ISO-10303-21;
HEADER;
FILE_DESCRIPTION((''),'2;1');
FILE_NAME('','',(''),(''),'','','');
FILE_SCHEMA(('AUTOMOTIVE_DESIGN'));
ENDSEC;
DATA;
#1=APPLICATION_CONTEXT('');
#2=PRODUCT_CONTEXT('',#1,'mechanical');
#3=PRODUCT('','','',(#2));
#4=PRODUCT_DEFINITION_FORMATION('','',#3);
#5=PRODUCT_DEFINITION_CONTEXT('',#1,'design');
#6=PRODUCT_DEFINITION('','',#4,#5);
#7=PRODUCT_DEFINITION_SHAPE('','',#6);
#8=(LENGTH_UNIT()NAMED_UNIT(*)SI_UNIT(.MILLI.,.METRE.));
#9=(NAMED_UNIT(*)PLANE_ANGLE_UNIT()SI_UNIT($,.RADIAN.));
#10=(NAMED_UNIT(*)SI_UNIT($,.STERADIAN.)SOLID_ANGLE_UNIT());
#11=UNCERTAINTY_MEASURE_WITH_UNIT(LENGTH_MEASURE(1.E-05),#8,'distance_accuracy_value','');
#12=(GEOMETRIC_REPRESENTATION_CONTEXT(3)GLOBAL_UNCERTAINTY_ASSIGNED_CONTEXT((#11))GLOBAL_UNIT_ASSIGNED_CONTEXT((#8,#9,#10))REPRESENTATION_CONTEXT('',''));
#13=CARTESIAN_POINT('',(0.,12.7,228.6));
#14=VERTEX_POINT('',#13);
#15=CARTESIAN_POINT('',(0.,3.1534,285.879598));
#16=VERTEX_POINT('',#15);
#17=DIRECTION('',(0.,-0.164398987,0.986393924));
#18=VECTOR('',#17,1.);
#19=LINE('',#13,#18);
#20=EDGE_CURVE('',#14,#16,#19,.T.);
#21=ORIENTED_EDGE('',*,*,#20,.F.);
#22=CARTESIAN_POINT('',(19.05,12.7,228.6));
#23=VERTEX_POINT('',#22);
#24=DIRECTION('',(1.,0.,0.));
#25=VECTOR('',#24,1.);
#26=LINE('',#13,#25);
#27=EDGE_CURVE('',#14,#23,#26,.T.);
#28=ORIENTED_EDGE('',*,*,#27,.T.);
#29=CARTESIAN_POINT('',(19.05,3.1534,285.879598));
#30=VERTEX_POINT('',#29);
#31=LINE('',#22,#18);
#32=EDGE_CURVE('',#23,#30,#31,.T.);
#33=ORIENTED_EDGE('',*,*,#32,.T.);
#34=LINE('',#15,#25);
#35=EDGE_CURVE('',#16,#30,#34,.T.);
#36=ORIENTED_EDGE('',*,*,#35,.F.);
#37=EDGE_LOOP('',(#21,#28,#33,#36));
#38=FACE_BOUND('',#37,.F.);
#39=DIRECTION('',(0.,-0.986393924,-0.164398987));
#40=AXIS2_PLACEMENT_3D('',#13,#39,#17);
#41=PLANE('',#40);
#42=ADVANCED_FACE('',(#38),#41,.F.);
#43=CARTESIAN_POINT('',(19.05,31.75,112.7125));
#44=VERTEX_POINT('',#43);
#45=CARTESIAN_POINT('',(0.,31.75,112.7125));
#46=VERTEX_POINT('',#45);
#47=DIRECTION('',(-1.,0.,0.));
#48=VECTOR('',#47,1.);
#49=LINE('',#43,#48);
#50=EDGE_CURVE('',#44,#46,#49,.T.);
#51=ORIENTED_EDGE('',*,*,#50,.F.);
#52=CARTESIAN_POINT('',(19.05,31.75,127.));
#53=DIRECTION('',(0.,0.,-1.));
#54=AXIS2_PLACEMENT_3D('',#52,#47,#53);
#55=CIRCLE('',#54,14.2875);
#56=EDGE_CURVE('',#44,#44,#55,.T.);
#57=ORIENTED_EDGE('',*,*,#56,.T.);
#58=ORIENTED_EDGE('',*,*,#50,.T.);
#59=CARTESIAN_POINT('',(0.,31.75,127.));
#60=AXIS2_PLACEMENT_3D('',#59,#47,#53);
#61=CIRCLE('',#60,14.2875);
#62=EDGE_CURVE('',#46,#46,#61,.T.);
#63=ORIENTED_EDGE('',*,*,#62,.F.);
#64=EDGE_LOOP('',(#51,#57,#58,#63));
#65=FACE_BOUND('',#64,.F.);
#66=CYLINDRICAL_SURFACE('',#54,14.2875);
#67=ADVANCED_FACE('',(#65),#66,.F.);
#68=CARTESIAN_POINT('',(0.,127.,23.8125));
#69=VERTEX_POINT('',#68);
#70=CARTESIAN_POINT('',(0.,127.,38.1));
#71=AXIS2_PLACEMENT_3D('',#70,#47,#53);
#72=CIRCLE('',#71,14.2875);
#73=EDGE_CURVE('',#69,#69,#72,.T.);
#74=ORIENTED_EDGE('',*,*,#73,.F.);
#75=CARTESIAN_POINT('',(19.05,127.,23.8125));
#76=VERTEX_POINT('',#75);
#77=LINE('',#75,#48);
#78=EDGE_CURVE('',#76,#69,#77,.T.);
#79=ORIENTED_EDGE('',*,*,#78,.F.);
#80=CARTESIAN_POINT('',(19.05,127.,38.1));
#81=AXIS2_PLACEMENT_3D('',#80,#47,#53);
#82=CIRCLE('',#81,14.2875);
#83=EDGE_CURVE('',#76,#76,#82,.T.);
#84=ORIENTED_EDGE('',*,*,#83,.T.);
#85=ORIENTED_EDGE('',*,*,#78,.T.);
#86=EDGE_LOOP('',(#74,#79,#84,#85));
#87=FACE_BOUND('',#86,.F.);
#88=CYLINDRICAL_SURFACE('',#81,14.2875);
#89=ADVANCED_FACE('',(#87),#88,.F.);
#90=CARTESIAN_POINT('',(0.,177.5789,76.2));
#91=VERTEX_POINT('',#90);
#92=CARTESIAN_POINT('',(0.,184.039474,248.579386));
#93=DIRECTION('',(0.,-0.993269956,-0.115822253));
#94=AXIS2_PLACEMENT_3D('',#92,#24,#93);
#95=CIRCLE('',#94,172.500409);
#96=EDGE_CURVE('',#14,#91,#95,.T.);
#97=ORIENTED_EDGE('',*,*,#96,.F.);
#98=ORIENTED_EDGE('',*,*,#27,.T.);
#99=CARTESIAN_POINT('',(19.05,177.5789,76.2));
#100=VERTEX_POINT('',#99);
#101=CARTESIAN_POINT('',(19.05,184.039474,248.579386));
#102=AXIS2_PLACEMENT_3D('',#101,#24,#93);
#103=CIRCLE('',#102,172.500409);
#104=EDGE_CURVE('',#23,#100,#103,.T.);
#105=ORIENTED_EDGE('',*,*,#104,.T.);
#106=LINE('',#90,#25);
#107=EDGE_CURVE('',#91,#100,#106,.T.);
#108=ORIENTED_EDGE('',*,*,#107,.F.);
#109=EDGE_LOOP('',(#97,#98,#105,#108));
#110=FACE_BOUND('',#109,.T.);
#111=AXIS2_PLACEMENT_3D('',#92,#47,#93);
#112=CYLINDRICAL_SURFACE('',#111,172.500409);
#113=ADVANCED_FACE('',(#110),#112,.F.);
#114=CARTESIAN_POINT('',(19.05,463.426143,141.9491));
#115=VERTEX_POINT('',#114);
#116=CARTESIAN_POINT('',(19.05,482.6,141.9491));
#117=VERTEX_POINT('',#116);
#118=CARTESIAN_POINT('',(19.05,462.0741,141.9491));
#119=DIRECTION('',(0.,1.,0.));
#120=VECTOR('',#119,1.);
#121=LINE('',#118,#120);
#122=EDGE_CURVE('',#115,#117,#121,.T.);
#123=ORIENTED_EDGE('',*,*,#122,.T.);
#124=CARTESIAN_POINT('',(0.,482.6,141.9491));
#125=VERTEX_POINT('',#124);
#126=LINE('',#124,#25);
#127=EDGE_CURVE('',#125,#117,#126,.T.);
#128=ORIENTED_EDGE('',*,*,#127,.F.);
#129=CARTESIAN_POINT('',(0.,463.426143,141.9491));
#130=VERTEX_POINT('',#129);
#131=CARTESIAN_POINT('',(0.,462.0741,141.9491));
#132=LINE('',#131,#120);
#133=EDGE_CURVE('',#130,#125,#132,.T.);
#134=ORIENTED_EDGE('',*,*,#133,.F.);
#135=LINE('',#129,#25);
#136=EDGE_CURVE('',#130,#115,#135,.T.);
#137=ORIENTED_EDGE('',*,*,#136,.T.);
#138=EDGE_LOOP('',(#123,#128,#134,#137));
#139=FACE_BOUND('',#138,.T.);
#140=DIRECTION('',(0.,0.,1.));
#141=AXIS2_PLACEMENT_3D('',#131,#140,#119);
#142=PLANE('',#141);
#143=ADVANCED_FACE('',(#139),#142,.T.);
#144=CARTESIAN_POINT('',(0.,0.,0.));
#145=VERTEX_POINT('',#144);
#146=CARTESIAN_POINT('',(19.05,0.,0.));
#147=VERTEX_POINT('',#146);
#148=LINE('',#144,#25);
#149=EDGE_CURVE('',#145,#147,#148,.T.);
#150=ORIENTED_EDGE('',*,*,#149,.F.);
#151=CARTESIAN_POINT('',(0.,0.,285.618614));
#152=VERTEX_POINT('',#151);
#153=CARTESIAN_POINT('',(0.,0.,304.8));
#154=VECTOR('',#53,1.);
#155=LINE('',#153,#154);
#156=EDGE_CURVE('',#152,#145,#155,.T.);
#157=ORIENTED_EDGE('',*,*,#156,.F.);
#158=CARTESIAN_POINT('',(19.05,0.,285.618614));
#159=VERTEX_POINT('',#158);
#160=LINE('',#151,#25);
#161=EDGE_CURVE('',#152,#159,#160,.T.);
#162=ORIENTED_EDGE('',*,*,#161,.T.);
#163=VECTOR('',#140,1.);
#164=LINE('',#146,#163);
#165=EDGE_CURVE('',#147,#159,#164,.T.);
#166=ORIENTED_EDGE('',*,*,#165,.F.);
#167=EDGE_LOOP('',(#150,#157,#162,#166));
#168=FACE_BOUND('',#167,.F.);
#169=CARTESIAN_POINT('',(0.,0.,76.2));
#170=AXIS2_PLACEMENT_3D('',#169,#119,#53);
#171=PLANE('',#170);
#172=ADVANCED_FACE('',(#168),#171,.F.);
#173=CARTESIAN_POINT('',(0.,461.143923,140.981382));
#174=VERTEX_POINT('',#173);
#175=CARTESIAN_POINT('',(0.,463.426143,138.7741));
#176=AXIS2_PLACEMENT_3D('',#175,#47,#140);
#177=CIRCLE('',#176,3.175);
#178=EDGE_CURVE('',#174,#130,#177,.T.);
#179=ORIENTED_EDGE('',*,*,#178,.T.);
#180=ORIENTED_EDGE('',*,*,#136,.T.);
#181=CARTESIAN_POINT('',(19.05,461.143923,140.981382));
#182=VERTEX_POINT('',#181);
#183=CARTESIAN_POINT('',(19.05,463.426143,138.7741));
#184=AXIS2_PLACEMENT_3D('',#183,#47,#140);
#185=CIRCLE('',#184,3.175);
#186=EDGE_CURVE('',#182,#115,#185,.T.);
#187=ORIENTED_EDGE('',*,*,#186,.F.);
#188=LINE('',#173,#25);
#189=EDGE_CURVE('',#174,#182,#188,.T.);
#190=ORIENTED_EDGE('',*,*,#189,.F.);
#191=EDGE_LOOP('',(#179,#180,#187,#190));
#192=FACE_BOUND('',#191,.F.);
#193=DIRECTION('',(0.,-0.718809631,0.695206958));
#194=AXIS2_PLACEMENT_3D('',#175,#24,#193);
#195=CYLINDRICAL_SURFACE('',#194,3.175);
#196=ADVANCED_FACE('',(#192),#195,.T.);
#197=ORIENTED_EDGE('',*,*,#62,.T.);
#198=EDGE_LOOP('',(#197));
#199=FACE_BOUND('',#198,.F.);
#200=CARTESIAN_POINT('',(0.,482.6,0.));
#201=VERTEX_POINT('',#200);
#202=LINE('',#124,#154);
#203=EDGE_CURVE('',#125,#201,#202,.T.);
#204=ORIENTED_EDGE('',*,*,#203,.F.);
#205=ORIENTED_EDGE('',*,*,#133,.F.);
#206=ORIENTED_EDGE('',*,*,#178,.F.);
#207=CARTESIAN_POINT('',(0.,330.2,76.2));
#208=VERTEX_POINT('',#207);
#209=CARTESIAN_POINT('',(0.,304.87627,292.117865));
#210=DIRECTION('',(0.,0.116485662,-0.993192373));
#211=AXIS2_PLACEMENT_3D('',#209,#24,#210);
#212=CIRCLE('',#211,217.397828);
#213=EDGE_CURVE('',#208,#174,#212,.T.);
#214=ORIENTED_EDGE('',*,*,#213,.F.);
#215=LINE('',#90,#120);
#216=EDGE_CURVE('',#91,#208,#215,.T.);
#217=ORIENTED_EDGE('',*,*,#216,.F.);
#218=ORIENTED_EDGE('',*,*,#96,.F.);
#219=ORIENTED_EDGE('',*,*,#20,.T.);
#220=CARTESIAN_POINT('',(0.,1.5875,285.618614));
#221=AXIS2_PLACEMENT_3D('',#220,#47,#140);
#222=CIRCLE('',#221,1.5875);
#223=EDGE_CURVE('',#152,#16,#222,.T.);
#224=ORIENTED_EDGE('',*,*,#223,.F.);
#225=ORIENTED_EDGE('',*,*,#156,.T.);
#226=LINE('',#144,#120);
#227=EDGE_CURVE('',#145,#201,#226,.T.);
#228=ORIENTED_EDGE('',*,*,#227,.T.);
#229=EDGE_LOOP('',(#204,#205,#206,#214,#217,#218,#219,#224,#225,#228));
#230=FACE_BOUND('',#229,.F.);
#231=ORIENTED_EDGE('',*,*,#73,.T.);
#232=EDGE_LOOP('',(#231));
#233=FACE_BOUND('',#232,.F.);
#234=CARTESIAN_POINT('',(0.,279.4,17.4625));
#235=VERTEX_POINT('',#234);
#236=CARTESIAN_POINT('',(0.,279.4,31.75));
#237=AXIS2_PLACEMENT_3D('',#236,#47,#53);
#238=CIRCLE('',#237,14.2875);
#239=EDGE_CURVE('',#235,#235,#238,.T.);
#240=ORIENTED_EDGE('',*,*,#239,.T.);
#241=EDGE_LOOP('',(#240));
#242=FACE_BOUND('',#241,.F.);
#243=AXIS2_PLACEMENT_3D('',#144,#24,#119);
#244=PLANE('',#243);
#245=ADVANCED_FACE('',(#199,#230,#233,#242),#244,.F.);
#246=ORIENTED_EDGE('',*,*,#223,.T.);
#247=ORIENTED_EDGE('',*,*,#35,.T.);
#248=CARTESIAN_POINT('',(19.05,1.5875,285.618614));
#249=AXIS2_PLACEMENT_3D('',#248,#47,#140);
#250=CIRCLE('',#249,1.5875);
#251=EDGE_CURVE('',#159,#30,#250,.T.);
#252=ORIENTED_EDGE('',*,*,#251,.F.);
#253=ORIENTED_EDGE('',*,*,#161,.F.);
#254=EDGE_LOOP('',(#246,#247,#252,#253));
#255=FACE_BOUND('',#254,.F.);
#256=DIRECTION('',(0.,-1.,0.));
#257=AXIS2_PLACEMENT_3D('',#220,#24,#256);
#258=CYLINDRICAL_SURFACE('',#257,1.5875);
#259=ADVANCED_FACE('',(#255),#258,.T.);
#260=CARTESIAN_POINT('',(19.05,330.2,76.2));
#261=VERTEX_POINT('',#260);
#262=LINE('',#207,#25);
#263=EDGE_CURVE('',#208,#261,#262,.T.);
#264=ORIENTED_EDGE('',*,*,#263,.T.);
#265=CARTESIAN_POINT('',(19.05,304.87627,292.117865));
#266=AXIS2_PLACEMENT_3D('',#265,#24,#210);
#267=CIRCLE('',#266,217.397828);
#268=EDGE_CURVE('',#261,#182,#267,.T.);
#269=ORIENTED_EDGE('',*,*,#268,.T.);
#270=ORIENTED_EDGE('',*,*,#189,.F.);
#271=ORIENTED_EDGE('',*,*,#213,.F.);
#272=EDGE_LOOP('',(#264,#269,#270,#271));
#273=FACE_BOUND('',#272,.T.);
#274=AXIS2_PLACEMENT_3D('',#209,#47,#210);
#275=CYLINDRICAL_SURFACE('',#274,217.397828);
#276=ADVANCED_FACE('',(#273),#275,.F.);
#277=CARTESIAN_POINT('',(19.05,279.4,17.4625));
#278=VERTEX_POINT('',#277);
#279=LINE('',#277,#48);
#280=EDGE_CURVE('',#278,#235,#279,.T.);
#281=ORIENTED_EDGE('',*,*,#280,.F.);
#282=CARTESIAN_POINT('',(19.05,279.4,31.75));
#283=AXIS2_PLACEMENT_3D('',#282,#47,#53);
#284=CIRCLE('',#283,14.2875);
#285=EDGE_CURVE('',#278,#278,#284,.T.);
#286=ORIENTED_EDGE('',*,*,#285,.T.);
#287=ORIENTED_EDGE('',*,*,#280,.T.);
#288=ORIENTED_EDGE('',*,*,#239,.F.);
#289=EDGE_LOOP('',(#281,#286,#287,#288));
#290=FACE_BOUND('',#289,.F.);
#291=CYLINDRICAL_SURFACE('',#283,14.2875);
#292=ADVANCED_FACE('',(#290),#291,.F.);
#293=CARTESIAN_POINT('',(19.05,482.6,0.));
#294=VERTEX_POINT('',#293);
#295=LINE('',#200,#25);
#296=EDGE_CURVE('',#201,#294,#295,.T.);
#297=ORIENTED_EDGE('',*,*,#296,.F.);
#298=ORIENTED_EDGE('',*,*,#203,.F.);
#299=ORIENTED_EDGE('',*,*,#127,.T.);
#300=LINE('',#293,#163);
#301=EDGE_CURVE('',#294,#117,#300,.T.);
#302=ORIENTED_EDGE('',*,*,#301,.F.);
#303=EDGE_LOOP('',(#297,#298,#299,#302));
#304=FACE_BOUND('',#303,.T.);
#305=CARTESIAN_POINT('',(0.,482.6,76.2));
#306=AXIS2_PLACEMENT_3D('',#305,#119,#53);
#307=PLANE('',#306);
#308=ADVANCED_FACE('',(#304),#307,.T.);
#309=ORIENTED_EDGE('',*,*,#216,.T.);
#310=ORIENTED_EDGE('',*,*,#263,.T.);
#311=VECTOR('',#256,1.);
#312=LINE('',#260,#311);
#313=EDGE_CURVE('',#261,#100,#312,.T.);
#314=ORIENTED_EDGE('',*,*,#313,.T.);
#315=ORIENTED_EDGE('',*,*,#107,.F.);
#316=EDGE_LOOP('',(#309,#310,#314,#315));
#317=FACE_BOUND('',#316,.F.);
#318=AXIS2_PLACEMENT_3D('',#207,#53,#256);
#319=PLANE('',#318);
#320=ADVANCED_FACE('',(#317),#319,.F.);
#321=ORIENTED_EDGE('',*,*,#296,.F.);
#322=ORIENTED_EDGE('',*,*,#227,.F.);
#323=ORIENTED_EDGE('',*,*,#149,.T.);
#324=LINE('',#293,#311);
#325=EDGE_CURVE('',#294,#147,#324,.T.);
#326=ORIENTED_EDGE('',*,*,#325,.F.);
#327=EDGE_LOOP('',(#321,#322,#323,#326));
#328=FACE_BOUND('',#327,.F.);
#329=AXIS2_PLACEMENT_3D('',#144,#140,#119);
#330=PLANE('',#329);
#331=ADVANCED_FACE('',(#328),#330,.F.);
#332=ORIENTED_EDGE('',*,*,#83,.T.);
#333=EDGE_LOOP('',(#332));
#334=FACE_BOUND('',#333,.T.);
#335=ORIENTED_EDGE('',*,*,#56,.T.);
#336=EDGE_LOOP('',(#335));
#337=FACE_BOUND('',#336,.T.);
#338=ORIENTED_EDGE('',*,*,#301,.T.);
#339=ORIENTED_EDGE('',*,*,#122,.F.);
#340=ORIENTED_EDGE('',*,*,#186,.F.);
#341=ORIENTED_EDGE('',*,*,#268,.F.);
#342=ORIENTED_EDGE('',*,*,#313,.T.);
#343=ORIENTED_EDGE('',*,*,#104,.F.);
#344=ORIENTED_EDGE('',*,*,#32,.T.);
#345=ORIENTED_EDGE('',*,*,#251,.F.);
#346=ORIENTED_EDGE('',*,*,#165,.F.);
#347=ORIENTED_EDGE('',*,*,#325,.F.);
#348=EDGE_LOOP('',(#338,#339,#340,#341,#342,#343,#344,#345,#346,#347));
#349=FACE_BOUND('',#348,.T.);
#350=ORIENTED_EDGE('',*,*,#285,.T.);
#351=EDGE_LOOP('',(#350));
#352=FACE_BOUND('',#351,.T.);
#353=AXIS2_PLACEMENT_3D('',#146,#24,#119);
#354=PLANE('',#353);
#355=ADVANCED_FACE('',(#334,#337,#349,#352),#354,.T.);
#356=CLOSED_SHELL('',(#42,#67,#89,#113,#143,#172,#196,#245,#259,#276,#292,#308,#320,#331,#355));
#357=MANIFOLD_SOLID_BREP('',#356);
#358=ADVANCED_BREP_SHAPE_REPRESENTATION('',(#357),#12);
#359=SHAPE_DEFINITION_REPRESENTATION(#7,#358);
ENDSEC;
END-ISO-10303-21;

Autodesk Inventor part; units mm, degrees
ref_plane "YZ Plane" through (0, 0, 0) normal (1, 0, 0) x (0, 1, 0)
ref_plane "XZ Plane" through (0, 0, 0) normal (0, 1, 0) x (-1, 0, 0)
ref_plane "XY Plane" through (0, 0, 0) normal (0, 0, 1) x (1, 0, 0)
sketch "Sketch1" plane through (0, 0, 0) normal (1, 0, 0) x (0, 1, 0)
  line L0 (0, 0) -> (330.2, 0) construction
  line L1 (330.2, 0) -> (330.2, 304.8)
  line L2 (330.2, 304.8) -> (0, 304.8) construction
  line L3 (0, 304.8) -> (0, 0)
  line L4 (0, 0) -> (482.6, 0)
  line L5 (482.6, 0) -> (482.6, 76.2) construction
  line L6 (482.6, 76.2) -> (0, 76.2)
  line L7 (0, 76.2) -> (0, 0) construction
  circle A0 centre (330.2, 304.8) radius 76.2
  line L8 (330.2, 304.8) -> (462.0741, 141.9491) construction
  line L9 (330.2, 304.8) -> (330.2, 76.2) construction
  line L10 (330.2, 304.8) -> (403.3287, 98.2908) construction
  arc A1 (330.2, 76.2) -> (462.0741, 141.9491) centre (304.8762, 292.1181) ccw
  line L11 (330.2, 304.8) -> (254, 304.8) construction
  line L12 (254, 304.8) -> (254, 228.6) construction
  line L13 (254, 228.6) -> (330.2, 228.6) construction
  line L14 (330.2, 228.6) -> (330.2, 304.8) construction
  line L15 (254, 228.6) -> (441.325, 228.6) construction
  circle A2 centre (254, 228.6) radius 6.35
  line L16 (254, 228.6) -> (241.3, 76.2) construction
  line L17 (254, 228.6) -> (419.1, 228.6) construction
  line L18 (0, 76.2) -> (190.5, 76.2) construction
  line L19 (190.5, 76.2) -> (190.5, 228.6) construction
  line L20 (190.5, 228.6) -> (0, 228.6) construction
  line L21 (0, 228.6) -> (0, 76.2) construction
  circle A3 centre (190.5, 228.6) radius 6.35
  line L22 (190.5, 228.6) -> (76.0017, 114.1017) construction
  line L23 (190.5, 228.6) -> (352.425, 228.6) construction
  line L24 (190.5, 228.6) -> (12.7, 228.6) construction
  arc A4 (12.7, 228.6) -> (190.5, 76.2) centre (184.0395, 248.5794) ccw
  line L25 (12.7, 228.6) -> (0, 304.8)
  line L26 (462.0741, 141.9491) -> (482.6, 141.9491)
  line L27 (482.6, 141.9491) -> (482.6, 0)
  line L28 (330.2, 76.2) -> (177.5789, 76.2)
  dimension "d0" = 330.2
  dimension "d1" = 304.8
  dimension "d2" = 482.6
  dimension "d3" = 76.2
  dimension "d4" = 152.4
  dimension "d5" = 209.55
  dimension "d9" = 228.6
  dimension "d13" = 219.075
  dimension "d16" = 39
  dimension "d17" = 19.5
  dimension "d19" = 76.2
  dimension "d20" = 76.2
  dimension "d25" = 12.7
  dimension "d39" = 190.5
  dimension "d40" = 152.4
  dimension "d41" = 12.7
  dimension "d42" = 161.925
  dimension "d43" = 135
  dimension "d44" = 177.8
extrude "Extrusion1" add sketch "Sketch1" along normal blind 19.05 contours L4 L3 L6 A4 L1 | L1 L6 L27 L4 | A1 L26 L27 L6 | A4 L6 | L3 L25 A4 L6
fillet "Fillet1" radius 1.5875 1 edges at (9.525, 0, 304.8)
fillet "Fillet2" radius 3.175 1 edges at (9.525, 462.0741, 141.9491)
sketch "Sketch2" plane through (19.05, 0, 0) normal (1, 0, 0) x (0, 0, -1)
  line L0 (0, 482.6) -> (0, 0) projected
  line L1 (0, 0) -> (-127, 0)
  line L2 (-127, 0) -> (-127, 31.75)
  line L3 (-127, 31.75) -> (0, 31.75)
  line L4 (0, 31.75) -> (0, 0)
  circle A0 centre (-127, 31.75) radius 25.4
  line L5 (0, 0) -> (-285.6186, 0) projected
  line L6 (0, 0) -> (-38.1, 0)
  line L7 (-38.1, 0) -> (-38.1, 127)
  line L8 (0, 127) -> (0, 0)
  line L9 (0, 127) -> (-38.1, 127)
  circle A1 centre (-38.1, 127) radius 50.8
  line L10 (0, 0) -> (-31.75, 0)
  line L11 (-31.75, 0) -> (-31.75, 279.4)
  line L12 (-31.75, 279.4) -> (0, 279.4)
  line L13 (0, 279.4) -> (0, 0)
  circle A2 centre (-31.75, 279.4) radius 50.8
  dimension "d49" = 127
  dimension "d50" = 31.75
  dimension "d51" = 50.8
  dimension "d52" = 38.1
  dimension "d53" = 101.6
  dimension "d54" = 279.4
  dimension "d55" = 101.6
  dimension "d56" = 31.75
  dimension "d57" = 127
hole "Hole1" at (19.05, 31.75, 127) at (19.05, 127, 38.1) at (19.05, 279.4, 31.75) direction (-1, 0, 0) diameter 28.575 end through all
properties part number "New Shooter Curve"
